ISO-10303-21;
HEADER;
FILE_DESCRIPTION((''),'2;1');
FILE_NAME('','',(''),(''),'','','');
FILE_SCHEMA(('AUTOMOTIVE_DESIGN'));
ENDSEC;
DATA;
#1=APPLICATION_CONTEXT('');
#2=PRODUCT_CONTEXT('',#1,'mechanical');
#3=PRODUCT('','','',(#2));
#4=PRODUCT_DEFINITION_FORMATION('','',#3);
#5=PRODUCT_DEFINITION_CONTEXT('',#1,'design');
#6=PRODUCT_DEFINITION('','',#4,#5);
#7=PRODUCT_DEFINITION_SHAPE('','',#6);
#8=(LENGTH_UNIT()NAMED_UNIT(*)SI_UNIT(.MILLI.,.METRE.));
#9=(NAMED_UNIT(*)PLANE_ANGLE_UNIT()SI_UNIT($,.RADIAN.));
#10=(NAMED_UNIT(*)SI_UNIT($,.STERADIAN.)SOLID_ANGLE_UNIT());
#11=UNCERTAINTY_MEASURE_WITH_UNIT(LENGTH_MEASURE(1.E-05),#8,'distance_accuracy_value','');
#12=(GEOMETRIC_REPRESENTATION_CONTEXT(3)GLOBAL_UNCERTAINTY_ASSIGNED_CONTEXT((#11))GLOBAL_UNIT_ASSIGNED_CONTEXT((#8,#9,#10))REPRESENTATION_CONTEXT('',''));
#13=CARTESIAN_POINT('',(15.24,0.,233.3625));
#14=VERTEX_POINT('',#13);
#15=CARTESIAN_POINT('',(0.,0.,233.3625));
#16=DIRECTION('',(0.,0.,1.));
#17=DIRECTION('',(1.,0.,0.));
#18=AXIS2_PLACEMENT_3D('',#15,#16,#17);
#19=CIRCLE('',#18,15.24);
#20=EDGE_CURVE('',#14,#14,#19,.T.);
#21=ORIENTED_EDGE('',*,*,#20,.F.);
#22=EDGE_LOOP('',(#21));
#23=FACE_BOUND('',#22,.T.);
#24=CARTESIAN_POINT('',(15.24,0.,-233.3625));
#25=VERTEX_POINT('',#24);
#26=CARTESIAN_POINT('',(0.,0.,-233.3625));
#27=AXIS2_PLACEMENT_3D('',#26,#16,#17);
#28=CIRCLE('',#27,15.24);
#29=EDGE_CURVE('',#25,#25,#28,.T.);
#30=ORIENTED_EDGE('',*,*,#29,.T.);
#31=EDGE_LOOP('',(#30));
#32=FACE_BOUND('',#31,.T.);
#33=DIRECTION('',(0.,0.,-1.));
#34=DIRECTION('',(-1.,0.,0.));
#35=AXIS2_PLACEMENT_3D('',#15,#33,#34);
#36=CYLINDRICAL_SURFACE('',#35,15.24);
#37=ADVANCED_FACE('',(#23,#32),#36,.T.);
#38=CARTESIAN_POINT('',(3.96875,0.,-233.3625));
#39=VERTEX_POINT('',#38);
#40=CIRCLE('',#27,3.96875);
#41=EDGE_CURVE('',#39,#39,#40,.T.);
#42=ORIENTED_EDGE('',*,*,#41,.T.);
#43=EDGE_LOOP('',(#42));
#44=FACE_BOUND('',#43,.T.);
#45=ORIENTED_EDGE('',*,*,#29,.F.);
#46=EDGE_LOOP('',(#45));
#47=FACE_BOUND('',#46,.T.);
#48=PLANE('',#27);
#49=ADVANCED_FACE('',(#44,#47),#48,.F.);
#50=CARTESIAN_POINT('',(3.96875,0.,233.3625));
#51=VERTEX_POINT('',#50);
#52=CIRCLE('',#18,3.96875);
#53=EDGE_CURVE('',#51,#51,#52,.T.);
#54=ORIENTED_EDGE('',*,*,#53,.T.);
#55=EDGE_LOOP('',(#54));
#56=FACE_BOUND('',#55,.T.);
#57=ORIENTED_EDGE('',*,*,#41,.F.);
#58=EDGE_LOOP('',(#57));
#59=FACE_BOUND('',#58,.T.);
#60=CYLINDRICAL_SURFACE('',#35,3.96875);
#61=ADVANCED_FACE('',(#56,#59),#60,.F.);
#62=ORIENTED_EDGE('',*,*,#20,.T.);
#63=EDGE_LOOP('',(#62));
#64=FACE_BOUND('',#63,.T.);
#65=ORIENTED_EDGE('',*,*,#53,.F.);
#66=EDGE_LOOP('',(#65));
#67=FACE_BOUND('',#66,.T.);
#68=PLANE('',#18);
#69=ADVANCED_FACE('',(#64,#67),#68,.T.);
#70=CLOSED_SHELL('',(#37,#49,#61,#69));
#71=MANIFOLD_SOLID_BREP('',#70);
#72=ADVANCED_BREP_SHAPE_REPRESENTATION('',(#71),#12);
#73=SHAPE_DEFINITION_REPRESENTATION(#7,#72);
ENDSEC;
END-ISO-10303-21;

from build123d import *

# Parameters (mm, degrees)
SKETCH1_R           = 15.24
SKETCH1_R_2         = 3.96875
BOSS_EXTRUDE1_DEPTH = 233.3625


with BuildPart() as part:
    # Sketch1 → Boss-Extrude1 (new body, symmetric)
    with BuildSketch(Plane.XY):
        Circle(SKETCH1_R)
        Circle(SKETCH1_R_2, mode=Mode.SUBTRACT)
    extrude(amount=BOSS_EXTRUDE1_DEPTH, both=True)


solid = part.part
